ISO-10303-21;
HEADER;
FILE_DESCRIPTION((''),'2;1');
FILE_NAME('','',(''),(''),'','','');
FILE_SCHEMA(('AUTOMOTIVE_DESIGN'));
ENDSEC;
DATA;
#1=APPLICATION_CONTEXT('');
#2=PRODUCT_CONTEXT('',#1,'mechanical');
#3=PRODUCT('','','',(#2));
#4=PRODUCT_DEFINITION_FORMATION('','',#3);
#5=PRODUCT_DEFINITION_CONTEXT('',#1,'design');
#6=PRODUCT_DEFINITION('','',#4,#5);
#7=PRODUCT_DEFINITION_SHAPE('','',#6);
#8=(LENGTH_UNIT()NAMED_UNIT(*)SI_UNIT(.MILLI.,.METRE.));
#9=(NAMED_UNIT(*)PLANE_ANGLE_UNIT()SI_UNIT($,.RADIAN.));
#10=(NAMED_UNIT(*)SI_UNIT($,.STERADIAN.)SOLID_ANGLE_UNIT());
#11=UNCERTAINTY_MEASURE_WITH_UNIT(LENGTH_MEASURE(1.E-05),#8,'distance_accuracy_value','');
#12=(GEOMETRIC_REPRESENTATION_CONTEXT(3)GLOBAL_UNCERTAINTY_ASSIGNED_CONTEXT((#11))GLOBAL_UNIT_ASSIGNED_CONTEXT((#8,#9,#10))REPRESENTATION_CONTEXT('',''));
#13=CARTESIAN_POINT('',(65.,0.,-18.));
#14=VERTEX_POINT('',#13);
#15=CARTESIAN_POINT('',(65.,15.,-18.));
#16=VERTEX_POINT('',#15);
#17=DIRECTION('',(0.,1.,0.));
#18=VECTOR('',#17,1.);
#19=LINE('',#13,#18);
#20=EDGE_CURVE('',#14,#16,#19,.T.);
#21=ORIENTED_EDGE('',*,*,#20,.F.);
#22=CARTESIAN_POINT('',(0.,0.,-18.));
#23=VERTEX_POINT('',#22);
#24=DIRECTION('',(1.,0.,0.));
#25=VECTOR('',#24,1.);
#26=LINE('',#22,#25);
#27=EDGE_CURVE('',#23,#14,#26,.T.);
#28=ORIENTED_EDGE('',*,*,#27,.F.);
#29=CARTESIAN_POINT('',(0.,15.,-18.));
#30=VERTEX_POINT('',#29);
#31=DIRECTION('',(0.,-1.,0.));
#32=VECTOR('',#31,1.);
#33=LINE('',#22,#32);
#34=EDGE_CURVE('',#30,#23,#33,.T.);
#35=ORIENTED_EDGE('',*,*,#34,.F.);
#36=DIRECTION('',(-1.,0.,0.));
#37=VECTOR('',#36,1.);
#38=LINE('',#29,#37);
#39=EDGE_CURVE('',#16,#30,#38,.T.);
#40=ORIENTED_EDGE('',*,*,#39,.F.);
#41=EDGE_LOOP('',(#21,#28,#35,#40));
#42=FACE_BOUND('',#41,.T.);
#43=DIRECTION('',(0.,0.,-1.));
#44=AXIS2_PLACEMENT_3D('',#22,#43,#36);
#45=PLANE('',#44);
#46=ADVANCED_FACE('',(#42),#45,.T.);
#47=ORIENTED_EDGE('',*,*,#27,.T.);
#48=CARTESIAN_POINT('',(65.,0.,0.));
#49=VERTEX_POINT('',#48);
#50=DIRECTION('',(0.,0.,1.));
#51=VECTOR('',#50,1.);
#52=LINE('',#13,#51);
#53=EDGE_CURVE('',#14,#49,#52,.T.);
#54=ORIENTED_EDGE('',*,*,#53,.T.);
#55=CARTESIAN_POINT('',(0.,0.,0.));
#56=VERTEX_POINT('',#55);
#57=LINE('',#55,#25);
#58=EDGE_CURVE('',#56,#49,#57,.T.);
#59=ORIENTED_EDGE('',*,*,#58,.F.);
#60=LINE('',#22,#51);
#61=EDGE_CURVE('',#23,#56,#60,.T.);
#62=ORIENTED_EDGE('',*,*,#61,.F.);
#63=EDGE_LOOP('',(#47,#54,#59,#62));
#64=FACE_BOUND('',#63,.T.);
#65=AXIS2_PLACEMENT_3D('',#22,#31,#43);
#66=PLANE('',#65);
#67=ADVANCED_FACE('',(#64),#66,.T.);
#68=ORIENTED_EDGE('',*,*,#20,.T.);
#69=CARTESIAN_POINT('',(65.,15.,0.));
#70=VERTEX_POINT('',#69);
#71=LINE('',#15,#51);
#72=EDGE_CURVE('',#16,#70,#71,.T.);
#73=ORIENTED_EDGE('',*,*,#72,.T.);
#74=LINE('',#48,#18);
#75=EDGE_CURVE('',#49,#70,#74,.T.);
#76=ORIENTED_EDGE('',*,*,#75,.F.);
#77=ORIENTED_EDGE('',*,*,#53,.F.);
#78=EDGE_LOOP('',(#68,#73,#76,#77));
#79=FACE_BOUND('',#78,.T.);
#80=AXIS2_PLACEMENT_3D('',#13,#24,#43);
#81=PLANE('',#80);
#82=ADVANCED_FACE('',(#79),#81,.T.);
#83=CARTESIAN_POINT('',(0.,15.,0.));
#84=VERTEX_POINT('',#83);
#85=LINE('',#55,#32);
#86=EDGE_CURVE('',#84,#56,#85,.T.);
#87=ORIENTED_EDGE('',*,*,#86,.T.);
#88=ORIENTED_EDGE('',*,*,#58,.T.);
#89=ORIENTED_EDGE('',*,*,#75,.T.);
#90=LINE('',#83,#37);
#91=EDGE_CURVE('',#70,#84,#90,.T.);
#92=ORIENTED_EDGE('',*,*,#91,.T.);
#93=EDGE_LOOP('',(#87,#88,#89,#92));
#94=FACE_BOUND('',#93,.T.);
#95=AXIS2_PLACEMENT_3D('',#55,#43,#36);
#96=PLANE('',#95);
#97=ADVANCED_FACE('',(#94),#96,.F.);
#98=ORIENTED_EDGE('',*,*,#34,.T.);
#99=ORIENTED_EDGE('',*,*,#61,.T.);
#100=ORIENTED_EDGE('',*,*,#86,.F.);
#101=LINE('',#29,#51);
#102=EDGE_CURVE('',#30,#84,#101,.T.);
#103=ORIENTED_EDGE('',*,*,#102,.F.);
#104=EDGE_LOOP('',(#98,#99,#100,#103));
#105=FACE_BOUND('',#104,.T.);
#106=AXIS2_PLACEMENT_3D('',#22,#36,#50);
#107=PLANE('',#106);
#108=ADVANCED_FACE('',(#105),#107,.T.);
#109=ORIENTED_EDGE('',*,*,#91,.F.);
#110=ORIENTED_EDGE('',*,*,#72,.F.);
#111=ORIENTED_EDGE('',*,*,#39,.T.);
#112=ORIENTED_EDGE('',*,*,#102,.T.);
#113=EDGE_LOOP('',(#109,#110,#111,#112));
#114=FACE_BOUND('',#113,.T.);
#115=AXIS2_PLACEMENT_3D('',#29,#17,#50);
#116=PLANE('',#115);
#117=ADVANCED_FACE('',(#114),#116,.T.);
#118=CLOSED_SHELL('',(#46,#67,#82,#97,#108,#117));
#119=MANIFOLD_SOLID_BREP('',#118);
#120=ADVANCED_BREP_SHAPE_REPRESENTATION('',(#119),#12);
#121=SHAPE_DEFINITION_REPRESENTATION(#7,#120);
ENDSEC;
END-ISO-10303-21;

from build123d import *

# Parameters (mm, degrees)
CROQUIS1_W              = 65
CROQUIS1_H              = 15
SALIENTE_EXTRUIR1_DEPTH = 18


with BuildPart() as part:
    # Croquis1 → Saliente-Extruir1 (new body)
    with BuildSketch(Plane.XY):
        with Locations((32.5, 7.5)):
            Rectangle(CROQUIS1_W, CROQUIS1_H)
    extrude(amount=-SALIENTE_EXTRUIR1_DEPTH)


solid = part.part
